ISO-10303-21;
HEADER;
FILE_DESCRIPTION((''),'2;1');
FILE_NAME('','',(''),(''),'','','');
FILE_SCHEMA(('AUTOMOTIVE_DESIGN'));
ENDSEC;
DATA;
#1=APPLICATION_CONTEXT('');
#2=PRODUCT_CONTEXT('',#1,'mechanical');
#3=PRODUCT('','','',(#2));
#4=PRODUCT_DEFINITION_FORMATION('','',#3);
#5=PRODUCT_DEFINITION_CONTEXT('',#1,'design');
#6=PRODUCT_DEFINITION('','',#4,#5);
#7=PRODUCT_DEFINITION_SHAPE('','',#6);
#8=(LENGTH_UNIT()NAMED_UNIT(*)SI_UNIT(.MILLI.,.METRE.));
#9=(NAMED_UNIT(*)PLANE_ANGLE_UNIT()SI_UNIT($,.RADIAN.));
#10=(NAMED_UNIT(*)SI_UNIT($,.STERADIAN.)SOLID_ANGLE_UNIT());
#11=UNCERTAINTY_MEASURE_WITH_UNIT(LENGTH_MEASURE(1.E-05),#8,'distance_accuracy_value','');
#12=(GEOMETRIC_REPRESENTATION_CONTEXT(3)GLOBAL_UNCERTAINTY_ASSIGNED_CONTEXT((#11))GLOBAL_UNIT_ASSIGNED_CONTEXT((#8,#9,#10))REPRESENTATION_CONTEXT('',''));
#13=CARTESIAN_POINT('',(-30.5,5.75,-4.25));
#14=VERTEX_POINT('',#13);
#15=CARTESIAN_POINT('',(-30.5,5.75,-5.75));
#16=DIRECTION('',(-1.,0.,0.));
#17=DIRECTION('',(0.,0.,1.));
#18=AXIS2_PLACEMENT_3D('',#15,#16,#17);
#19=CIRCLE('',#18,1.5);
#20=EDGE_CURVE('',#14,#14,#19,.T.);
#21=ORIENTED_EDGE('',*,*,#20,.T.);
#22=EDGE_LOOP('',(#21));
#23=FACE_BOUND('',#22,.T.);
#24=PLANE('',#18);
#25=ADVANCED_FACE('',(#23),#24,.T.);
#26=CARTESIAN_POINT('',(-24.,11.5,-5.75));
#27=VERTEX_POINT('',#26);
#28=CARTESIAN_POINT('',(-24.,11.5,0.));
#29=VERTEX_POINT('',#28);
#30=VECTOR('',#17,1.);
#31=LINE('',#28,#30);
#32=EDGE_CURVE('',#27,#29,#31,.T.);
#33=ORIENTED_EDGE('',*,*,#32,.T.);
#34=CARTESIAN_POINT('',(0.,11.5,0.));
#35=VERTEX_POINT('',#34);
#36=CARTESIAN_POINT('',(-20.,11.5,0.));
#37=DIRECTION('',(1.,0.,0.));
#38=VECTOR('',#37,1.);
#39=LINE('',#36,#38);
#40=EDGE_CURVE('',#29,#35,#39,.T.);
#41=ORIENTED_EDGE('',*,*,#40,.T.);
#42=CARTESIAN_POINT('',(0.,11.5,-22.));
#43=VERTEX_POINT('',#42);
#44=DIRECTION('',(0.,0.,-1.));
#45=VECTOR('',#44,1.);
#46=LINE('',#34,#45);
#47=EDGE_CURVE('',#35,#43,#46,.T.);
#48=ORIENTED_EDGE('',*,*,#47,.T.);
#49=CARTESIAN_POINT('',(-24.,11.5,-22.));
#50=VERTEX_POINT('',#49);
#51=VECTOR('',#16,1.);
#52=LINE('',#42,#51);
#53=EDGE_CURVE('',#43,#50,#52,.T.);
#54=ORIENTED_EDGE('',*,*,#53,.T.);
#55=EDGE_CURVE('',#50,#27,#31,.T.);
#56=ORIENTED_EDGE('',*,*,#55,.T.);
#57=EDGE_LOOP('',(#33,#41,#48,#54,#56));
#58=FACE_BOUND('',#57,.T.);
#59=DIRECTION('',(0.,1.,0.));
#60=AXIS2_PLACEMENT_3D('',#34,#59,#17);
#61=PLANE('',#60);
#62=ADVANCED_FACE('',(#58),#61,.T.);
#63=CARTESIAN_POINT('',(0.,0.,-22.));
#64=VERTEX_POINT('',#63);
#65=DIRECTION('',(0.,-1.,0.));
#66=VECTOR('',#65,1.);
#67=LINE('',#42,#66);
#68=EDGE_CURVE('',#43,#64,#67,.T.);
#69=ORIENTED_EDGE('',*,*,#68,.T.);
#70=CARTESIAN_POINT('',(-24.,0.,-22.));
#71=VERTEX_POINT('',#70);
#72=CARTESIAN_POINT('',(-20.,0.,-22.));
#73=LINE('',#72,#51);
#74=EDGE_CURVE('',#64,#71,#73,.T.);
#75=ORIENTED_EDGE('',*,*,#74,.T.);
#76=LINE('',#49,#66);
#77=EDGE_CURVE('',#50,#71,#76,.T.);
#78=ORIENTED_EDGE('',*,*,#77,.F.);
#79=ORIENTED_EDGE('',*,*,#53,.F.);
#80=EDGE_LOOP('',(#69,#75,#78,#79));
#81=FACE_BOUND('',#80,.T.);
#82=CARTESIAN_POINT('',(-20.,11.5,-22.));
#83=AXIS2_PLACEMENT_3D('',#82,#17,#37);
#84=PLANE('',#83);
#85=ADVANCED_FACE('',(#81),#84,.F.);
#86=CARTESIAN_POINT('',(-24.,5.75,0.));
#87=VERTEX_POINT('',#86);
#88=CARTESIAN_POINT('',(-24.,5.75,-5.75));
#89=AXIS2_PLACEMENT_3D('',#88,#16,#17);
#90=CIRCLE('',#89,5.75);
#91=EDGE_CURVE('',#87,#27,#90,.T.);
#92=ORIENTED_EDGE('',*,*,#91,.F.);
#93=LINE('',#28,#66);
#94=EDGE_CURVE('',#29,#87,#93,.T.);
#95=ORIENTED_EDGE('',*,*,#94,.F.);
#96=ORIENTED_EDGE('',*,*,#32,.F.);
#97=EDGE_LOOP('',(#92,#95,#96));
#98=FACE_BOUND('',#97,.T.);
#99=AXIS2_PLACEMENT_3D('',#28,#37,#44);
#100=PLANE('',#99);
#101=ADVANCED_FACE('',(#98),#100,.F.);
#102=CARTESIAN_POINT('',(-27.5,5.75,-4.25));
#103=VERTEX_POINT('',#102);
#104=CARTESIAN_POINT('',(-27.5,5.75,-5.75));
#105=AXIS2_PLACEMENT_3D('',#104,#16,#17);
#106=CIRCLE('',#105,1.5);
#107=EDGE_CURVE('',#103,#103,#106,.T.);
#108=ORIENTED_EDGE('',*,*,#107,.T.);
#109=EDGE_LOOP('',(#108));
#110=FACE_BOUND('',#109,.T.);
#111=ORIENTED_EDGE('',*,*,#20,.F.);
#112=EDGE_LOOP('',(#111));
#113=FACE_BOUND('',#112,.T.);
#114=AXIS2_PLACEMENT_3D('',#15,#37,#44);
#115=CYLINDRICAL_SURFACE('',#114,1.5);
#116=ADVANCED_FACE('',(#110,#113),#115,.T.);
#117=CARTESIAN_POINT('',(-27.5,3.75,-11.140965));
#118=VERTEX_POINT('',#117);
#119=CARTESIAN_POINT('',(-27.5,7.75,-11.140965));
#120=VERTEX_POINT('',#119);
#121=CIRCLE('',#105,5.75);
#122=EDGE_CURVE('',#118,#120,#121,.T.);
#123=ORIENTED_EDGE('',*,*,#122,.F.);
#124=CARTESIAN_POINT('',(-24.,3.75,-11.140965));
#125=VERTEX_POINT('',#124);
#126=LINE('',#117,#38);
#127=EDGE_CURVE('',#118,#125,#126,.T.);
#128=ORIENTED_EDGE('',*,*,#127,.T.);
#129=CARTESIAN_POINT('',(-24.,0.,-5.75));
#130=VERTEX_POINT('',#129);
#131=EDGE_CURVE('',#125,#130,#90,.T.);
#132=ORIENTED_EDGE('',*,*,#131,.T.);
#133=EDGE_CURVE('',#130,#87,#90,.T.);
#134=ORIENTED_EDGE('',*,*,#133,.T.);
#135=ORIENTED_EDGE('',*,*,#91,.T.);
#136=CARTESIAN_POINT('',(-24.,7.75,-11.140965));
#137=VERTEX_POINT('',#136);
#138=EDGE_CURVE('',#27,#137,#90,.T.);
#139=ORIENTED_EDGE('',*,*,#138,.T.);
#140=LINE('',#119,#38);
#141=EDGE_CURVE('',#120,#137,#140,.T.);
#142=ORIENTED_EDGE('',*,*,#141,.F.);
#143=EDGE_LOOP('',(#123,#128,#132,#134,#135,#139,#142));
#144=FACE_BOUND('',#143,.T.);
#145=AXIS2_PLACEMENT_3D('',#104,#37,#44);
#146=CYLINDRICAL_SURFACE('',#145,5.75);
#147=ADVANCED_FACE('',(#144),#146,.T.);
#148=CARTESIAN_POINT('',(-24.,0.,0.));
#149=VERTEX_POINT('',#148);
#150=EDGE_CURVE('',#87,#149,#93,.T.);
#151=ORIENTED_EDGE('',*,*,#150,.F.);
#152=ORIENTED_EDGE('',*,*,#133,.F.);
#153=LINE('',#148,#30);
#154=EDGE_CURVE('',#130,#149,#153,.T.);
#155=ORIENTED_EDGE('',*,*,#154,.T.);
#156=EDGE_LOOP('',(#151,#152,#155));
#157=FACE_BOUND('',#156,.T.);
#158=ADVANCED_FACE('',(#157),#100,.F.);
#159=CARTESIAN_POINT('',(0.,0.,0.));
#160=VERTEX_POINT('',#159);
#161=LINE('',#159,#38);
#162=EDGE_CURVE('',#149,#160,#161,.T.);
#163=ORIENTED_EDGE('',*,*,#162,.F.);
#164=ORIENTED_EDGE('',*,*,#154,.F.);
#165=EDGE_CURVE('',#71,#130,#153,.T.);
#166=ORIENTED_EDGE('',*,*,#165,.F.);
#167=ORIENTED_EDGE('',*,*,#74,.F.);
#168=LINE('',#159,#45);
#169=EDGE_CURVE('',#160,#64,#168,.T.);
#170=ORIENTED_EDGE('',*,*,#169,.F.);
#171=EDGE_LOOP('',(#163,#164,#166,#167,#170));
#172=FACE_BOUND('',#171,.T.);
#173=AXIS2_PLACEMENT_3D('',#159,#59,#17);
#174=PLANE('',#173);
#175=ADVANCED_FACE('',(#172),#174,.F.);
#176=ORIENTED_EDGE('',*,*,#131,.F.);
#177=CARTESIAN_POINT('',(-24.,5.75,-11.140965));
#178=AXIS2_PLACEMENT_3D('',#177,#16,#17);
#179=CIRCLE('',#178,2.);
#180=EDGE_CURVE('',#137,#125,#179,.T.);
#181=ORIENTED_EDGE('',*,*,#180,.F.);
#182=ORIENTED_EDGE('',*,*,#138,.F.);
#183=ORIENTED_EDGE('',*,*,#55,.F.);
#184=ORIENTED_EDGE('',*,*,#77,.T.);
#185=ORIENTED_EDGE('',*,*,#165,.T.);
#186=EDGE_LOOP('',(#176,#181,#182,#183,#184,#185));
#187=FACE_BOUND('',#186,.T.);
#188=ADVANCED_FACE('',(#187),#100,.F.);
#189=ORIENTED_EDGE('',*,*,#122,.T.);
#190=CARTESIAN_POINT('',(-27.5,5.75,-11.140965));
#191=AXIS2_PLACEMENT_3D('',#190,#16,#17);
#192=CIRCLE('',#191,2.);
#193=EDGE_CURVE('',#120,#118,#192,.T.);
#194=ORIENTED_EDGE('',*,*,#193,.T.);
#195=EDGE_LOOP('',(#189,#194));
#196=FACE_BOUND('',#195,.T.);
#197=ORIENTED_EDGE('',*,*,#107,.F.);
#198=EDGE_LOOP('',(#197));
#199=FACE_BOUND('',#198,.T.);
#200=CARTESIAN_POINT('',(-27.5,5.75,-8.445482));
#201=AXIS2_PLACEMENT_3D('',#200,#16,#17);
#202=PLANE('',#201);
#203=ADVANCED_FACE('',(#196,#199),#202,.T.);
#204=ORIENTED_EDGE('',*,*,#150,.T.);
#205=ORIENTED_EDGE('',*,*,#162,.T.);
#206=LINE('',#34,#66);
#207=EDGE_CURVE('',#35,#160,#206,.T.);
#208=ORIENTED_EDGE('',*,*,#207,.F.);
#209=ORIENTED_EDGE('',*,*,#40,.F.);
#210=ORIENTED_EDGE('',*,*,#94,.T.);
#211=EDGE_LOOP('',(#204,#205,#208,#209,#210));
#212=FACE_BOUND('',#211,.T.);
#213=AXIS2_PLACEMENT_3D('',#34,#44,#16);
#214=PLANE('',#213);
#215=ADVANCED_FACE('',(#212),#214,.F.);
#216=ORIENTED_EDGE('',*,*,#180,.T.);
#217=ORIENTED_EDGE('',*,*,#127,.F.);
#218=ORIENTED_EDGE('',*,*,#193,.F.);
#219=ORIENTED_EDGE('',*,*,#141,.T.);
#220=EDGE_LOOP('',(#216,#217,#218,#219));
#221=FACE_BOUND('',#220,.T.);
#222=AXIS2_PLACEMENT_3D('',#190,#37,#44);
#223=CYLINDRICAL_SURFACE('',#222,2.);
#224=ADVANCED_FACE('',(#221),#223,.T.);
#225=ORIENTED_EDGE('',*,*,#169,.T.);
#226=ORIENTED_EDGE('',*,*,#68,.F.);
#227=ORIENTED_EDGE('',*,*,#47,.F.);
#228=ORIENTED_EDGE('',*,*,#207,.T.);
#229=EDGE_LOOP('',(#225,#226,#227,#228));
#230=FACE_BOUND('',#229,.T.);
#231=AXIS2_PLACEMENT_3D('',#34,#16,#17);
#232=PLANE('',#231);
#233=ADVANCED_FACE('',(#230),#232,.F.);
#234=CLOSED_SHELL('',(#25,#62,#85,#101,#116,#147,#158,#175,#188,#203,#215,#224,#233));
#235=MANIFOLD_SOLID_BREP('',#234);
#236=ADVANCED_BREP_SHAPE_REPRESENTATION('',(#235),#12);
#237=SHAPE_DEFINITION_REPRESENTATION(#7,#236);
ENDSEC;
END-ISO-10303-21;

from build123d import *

# Parameters (mm, degrees)
BOSS_EXTRUDE1_DEPTH = 11.5
BOSS_EXTRUDE2_DEPTH = 3.5
SKETCH4_R           = 1.5
BOSS_EXTRUDE3_DEPTH = 3
SKETCH5_R           = 1.25
CUT_EXTRUDE1_DEPTH  = 3.5
SKETCH6_W           = 4
SKETCH6_H           = 11.5
CUT_EXTRUDE2_DEPTH  = 10
SKETCH7_W           = 4
SKETCH7_H           = 11.5
CUT_EXTRUDE3_DEPTH  = 10


with BuildPart() as part:
    # Sketch1 → Boss-Extrude1 (new body)
    with BuildSketch(Plane(origin=(0, 0, 0), x_dir=(1, 0, 0), z_dir=(0, 1, 0))):
        Polygon((-20, 0), (-24, 0), (-24, 22), (-20, 22), (-20, 26), (-18, 26), (-18, 22), (0, 22), (0, 0), (-18, 0), (-18, -4), (-20, -4), align=None)
    extrude(amount=BOSS_EXTRUDE1_DEPTH)

    # Sketch2 → Boss-Extrude2 (add)
    with BuildSketch(Plane.ZY.offset(24)):
        with BuildLine():
            ThreePointArc((-11.140964663, 3.75), (0, 5.75), (-11.140964663, 7.75))
            ThreePointArc((-11.140964663, 7.75), (-13.140964663, 5.75), (-11.140964663, 3.75))
        make_face()
    extrude(amount=BOSS_EXTRUDE2_DEPTH)

    # Sketch4 → Boss-Extrude3 (add)
    with BuildSketch(Plane.ZY.offset(27.5)):
        with Locations((-5.75, 5.75)):
            Circle(SKETCH4_R)
    extrude(amount=BOSS_EXTRUDE3_DEPTH)

    # Sketch5 → Cut-Extrude1 (cut)
    with BuildSketch(Plane.ZY.offset(20)):
        with Locations((-24.8, 5.75)):
            Circle(SKETCH5_R)
        with Locations((2.8, 5.75)):
            Circle(SKETCH5_R)
    extrude(amount=-CUT_EXTRUDE1_DEPTH, mode=Mode.SUBTRACT)

    # Sketch6 → Cut-Extrude2 (cut)
    with BuildSketch(Plane(origin=(-18, 0, 0), x_dir=(0, 0, -1), z_dir=(1, 0, 0))):
        with Locations((24, 5.75)):
            Rectangle(SKETCH6_W, SKETCH6_H)
    extrude(amount=-CUT_EXTRUDE2_DEPTH, mode=Mode.SUBTRACT)

    # Sketch7 → Cut-Extrude3 (cut)
    with BuildSketch(Plane(origin=(-18, 0, 0), x_dir=(0, 0, -1), z_dir=(1, 0, 0))):
        with Locations((-2, 5.75)):
            Rectangle(SKETCH7_W, SKETCH7_H)
    extrude(amount=-CUT_EXTRUDE3_DEPTH, mode=Mode.SUBTRACT)


solid = part.part
